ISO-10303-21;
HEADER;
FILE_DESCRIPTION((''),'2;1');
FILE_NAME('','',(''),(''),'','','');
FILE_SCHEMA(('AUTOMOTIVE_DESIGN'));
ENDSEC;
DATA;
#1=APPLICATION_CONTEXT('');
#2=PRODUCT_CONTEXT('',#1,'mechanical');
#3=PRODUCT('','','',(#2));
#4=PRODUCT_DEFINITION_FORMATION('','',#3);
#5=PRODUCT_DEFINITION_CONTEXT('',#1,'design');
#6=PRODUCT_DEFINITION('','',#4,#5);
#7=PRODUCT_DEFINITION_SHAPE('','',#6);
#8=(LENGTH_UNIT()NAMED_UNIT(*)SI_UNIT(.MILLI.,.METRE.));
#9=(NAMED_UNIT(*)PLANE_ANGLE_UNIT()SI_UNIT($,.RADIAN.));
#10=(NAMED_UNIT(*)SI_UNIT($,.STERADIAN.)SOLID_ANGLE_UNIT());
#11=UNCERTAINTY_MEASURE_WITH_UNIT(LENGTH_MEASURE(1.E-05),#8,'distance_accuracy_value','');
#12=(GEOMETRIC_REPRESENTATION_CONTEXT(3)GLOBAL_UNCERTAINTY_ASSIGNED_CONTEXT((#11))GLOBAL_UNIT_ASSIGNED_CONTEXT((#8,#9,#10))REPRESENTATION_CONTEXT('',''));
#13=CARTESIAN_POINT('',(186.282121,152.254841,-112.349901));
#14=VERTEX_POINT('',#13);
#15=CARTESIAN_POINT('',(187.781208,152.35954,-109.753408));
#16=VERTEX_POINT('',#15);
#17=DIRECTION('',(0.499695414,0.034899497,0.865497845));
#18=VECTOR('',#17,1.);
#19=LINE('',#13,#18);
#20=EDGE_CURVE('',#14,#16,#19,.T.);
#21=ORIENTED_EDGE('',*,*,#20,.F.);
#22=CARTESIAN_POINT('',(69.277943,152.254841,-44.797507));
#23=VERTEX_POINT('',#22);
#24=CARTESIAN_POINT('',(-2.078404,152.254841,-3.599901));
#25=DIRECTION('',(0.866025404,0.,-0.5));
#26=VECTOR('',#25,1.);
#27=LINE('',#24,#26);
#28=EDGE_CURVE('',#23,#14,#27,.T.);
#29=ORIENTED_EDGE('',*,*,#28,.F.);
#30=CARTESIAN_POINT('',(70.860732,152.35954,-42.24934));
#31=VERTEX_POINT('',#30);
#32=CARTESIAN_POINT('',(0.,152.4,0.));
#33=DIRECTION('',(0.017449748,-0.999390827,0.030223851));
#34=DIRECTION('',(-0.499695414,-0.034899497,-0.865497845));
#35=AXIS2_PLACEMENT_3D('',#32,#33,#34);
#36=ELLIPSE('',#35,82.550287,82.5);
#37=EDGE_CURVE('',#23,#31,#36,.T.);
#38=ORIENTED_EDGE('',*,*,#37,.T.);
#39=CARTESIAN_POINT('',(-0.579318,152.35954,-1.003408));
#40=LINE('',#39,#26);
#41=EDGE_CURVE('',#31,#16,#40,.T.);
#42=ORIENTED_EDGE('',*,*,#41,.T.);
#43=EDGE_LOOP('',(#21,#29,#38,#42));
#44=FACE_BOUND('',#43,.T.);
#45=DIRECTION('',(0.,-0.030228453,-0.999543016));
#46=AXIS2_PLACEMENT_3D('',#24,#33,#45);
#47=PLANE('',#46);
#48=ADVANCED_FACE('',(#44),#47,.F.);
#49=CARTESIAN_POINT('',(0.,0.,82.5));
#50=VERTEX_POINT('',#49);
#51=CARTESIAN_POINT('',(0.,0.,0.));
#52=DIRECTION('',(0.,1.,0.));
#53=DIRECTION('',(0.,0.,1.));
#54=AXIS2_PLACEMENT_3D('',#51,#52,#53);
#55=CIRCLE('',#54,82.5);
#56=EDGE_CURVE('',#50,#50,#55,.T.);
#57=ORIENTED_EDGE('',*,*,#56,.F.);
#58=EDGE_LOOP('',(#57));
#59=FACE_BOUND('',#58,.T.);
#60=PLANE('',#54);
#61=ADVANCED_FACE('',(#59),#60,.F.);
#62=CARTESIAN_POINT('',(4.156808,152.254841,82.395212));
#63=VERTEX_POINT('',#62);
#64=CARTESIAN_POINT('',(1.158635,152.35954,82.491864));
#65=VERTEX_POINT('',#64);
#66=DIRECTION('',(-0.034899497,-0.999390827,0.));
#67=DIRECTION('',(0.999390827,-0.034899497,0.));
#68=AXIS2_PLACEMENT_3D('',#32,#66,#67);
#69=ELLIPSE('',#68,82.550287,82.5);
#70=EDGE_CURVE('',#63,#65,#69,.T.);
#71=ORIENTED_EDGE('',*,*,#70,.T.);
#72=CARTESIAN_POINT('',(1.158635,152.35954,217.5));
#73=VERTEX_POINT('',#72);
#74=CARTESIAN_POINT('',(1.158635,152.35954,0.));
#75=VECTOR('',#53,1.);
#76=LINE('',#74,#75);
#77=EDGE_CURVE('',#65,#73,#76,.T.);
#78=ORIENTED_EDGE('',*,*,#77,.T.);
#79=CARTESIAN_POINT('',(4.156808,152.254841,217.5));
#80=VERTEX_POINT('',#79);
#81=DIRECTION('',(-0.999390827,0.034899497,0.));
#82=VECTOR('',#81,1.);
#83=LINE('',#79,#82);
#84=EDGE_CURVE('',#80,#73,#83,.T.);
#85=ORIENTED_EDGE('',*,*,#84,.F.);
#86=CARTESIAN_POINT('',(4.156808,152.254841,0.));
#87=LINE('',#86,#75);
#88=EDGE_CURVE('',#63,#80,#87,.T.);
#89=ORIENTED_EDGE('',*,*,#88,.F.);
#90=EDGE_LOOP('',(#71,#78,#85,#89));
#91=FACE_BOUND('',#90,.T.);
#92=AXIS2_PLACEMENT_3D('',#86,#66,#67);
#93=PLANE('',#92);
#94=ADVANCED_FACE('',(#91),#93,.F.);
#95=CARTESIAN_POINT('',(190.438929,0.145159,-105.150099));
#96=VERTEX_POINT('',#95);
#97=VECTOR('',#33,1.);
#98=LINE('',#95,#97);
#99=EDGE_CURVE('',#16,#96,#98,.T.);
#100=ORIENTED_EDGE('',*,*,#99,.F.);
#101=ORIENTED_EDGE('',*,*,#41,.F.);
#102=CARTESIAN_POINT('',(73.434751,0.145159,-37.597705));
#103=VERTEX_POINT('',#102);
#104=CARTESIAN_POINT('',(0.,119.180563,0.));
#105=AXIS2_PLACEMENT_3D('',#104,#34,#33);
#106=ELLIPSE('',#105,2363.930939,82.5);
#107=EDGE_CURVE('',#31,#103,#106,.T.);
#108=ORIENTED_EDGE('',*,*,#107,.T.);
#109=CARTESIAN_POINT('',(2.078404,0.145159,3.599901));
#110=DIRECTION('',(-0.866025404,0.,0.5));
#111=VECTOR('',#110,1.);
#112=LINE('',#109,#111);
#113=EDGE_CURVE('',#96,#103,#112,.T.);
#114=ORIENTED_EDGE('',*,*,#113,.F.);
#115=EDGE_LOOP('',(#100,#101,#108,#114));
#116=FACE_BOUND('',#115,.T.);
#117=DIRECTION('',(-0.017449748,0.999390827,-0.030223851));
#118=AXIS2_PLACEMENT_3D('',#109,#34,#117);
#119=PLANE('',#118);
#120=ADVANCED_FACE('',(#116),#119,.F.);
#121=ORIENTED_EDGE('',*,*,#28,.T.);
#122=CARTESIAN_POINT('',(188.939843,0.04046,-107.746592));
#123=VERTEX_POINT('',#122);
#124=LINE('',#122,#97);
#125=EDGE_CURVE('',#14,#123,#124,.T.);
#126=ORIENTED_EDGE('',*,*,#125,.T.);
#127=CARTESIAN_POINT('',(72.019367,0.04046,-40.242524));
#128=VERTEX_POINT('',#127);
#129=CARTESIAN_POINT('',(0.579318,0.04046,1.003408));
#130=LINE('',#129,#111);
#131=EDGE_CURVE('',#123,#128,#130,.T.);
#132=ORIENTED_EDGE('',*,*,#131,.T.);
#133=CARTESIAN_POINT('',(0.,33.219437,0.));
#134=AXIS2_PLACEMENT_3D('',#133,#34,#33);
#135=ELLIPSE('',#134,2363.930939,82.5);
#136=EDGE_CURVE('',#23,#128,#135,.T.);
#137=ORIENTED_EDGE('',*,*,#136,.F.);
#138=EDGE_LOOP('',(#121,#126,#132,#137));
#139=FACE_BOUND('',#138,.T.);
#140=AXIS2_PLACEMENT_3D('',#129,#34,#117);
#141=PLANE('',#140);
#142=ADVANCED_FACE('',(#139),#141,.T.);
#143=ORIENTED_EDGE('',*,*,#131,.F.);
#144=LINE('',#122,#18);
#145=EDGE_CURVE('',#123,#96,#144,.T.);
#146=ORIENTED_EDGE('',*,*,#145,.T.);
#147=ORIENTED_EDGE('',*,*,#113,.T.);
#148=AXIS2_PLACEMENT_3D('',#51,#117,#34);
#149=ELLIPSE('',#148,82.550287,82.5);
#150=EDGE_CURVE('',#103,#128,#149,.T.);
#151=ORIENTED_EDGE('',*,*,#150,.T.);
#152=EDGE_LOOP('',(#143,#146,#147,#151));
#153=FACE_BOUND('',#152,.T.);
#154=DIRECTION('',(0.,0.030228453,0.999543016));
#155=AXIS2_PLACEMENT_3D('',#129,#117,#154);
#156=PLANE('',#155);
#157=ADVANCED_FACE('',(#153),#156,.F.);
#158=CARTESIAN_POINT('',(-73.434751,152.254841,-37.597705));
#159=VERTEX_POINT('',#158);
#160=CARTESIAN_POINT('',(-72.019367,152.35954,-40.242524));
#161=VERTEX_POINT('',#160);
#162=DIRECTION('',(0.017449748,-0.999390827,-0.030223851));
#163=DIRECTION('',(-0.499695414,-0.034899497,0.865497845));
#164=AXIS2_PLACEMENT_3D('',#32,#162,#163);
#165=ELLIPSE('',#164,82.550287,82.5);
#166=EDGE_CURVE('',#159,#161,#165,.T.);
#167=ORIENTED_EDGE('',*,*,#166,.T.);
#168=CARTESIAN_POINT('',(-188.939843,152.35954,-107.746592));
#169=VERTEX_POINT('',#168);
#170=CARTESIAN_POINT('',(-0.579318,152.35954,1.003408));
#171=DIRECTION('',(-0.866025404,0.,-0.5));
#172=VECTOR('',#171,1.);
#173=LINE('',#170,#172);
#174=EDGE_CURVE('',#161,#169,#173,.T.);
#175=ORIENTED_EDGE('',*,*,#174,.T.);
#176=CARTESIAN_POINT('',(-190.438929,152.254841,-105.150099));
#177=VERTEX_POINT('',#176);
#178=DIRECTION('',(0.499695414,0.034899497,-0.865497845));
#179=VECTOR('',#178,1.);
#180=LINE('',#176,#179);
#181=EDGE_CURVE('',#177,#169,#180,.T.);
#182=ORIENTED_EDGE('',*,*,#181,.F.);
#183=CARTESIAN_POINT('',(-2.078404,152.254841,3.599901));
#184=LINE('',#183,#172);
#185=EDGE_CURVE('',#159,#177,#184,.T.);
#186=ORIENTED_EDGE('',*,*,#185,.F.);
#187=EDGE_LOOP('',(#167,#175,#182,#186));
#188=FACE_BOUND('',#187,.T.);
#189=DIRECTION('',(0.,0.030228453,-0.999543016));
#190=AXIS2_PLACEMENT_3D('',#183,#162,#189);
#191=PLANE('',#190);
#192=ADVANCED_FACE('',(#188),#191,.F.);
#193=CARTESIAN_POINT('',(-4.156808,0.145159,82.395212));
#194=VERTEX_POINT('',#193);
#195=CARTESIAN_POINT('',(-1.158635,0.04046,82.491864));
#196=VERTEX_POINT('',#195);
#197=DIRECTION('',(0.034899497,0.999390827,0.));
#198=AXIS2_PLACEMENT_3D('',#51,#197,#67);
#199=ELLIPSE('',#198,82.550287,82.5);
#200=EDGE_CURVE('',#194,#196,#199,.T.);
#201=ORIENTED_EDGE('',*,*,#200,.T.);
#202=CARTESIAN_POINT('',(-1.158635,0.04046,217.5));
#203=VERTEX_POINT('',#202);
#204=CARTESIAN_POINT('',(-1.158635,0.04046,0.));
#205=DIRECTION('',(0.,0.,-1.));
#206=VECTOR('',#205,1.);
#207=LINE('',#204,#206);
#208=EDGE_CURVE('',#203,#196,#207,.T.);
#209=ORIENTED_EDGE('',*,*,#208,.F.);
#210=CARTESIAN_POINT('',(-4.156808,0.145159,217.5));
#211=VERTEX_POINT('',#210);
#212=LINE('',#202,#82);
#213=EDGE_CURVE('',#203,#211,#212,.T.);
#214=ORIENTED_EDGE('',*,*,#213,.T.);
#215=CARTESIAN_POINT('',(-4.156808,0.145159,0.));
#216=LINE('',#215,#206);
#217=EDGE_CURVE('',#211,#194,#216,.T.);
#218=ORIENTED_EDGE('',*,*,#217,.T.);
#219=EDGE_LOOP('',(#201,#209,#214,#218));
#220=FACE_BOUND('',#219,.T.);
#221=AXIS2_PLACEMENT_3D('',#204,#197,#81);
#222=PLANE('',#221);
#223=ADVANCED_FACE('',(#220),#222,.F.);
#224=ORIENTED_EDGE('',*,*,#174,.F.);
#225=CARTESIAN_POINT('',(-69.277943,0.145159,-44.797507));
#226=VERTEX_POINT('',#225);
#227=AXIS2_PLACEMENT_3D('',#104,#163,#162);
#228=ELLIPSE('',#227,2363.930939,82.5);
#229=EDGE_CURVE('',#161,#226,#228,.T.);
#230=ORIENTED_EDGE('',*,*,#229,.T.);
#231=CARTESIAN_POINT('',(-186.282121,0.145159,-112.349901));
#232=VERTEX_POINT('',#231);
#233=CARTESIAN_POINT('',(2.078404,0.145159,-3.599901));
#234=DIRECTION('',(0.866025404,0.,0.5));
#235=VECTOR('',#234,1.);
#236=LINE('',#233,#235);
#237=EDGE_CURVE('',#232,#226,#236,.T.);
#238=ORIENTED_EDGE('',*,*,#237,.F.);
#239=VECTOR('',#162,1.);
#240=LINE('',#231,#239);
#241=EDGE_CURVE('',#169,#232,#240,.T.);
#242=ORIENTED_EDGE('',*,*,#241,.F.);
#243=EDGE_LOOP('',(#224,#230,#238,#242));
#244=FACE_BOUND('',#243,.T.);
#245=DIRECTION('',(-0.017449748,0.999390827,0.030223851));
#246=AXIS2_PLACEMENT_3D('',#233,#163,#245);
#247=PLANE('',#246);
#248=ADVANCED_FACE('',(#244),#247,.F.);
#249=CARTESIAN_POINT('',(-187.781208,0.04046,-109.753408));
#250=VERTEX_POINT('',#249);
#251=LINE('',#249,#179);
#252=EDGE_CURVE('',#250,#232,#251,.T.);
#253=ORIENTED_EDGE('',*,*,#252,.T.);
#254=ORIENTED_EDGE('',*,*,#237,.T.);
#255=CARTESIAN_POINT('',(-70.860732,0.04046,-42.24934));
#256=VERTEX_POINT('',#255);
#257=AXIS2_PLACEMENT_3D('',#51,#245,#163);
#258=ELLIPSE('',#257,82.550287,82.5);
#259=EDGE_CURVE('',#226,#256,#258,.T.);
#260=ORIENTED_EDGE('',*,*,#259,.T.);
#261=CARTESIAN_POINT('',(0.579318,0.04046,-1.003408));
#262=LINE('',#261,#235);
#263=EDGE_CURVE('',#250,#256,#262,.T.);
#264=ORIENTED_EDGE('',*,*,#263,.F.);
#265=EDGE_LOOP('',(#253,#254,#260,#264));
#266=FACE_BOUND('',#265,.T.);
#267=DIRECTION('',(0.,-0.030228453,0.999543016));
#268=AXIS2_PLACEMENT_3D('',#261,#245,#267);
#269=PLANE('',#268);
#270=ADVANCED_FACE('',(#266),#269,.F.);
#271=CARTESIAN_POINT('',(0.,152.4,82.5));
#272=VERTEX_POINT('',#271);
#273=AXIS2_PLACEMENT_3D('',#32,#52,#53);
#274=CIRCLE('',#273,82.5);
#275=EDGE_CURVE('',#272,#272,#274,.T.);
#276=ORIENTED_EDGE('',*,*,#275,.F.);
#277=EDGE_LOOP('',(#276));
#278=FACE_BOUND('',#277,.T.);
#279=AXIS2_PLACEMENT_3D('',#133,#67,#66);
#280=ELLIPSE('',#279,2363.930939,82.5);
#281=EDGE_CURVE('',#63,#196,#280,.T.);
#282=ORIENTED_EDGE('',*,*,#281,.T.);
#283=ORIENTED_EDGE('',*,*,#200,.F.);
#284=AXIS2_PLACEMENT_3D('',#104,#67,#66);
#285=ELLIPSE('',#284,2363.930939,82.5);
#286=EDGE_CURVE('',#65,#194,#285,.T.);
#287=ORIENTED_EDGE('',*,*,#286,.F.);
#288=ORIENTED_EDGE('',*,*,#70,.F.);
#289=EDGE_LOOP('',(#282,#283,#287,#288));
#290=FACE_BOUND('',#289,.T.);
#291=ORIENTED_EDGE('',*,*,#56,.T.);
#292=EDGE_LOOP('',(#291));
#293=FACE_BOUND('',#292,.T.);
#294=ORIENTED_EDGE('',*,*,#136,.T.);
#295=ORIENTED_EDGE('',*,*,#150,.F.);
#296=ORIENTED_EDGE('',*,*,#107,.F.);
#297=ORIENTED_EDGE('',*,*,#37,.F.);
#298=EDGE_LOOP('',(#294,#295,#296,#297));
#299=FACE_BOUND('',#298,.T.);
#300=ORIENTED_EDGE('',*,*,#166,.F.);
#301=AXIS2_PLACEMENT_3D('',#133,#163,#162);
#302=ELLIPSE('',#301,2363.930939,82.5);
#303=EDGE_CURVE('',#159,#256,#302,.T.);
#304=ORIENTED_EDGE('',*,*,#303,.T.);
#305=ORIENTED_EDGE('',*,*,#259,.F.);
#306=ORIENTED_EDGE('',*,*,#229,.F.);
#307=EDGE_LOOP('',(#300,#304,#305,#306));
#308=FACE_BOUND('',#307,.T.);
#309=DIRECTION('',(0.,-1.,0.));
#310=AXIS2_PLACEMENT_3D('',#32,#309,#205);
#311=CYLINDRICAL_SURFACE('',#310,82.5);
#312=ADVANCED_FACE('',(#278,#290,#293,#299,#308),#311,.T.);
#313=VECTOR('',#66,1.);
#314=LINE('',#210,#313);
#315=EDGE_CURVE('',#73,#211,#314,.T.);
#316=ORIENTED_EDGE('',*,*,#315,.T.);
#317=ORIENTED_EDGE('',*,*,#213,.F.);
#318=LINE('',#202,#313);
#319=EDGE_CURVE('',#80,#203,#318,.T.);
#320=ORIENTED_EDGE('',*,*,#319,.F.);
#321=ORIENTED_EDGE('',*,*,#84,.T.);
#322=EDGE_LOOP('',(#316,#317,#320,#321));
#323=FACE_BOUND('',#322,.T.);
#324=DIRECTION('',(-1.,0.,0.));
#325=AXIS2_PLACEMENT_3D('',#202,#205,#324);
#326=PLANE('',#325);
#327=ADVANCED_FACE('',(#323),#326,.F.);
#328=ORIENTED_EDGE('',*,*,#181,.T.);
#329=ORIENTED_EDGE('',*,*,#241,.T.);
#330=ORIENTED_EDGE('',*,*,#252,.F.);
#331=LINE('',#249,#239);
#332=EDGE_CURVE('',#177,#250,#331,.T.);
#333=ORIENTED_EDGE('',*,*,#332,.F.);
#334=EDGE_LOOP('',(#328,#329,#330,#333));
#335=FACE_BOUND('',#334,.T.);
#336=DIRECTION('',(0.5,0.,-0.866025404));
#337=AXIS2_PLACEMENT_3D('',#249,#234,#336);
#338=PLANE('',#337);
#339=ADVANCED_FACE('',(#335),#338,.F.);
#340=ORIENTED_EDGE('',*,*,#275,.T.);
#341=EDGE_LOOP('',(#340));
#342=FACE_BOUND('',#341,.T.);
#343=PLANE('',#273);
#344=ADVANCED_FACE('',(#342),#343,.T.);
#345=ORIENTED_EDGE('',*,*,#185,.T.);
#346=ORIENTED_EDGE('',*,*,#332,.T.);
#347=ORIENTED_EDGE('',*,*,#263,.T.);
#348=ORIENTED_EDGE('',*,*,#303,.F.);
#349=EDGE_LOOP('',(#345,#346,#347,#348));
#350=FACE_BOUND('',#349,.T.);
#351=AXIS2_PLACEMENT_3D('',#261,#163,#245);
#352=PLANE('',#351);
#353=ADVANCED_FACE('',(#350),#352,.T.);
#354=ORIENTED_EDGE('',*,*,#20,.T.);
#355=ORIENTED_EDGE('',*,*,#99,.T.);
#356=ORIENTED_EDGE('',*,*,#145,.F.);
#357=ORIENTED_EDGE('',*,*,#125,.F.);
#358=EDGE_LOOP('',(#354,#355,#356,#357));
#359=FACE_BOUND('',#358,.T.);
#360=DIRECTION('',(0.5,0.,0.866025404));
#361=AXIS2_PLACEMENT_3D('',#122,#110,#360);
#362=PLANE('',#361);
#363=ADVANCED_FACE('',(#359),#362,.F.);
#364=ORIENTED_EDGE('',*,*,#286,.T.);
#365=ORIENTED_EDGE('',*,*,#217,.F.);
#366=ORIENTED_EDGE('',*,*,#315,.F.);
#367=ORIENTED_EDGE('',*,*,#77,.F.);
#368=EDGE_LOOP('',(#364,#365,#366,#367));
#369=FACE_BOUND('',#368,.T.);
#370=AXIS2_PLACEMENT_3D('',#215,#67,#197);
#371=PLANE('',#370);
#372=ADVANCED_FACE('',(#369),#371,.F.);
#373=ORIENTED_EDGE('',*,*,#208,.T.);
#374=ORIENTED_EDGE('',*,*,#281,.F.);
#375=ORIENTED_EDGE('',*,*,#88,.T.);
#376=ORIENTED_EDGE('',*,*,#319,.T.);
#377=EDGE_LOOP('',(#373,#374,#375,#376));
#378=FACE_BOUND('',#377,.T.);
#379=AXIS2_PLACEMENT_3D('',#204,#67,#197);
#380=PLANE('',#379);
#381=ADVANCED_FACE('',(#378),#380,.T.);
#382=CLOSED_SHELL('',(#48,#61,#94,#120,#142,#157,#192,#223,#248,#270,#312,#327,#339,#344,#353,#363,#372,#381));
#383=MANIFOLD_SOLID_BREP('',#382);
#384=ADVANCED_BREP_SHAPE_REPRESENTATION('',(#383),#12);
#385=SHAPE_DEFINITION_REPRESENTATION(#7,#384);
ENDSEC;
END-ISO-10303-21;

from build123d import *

# Parameters (mm, degrees)
SKETCH1_R           = 82.5
BOSS_EXTRUDE1_DEPTH = 152.4
SKETCH3_W           = 217.5
SKETCH3_H           = 152.307162038
BOSS_EXTRUDE2_DEPTH = 1.5
CIRPATTERN1_COUNT   = 3


with BuildPart() as part:
    # Sketch1 → Boss-Extrude1 (new body)
    with BuildSketch(Plane(origin=(0, 0, 0), x_dir=(1, 0, 0), z_dir=(0, 1, 0))):
        Circle(SKETCH1_R)
    extrude(amount=BOSS_EXTRUDE1_DEPTH)

    # Sketch3 → Boss-Extrude2 (add, symmetric)
    with BuildSketch(Plane(origin=(-2.65772165, 0.092809685, 0), x_dir=(0, 0, -1), z_dir=(0.9993908270190958, -0.03489949670250104, 0))):
        with Locations((-108.75, 76.153581019)):
            Rectangle(SKETCH3_W, SKETCH3_H)
    boss_extrude2 = extrude(amount=BOSS_EXTRUDE2_DEPTH, both=True)

    # CirPattern1: Boss-Extrude2 ×3 about axis
    cirpattern1_axis = Axis((0, 152.4, 0), (0, -1, 0))
    for i in range(1, CIRPATTERN1_COUNT):
        add(boss_extrude2.rotate(cirpattern1_axis, i * 360 / CIRPATTERN1_COUNT))


solid = part.part
